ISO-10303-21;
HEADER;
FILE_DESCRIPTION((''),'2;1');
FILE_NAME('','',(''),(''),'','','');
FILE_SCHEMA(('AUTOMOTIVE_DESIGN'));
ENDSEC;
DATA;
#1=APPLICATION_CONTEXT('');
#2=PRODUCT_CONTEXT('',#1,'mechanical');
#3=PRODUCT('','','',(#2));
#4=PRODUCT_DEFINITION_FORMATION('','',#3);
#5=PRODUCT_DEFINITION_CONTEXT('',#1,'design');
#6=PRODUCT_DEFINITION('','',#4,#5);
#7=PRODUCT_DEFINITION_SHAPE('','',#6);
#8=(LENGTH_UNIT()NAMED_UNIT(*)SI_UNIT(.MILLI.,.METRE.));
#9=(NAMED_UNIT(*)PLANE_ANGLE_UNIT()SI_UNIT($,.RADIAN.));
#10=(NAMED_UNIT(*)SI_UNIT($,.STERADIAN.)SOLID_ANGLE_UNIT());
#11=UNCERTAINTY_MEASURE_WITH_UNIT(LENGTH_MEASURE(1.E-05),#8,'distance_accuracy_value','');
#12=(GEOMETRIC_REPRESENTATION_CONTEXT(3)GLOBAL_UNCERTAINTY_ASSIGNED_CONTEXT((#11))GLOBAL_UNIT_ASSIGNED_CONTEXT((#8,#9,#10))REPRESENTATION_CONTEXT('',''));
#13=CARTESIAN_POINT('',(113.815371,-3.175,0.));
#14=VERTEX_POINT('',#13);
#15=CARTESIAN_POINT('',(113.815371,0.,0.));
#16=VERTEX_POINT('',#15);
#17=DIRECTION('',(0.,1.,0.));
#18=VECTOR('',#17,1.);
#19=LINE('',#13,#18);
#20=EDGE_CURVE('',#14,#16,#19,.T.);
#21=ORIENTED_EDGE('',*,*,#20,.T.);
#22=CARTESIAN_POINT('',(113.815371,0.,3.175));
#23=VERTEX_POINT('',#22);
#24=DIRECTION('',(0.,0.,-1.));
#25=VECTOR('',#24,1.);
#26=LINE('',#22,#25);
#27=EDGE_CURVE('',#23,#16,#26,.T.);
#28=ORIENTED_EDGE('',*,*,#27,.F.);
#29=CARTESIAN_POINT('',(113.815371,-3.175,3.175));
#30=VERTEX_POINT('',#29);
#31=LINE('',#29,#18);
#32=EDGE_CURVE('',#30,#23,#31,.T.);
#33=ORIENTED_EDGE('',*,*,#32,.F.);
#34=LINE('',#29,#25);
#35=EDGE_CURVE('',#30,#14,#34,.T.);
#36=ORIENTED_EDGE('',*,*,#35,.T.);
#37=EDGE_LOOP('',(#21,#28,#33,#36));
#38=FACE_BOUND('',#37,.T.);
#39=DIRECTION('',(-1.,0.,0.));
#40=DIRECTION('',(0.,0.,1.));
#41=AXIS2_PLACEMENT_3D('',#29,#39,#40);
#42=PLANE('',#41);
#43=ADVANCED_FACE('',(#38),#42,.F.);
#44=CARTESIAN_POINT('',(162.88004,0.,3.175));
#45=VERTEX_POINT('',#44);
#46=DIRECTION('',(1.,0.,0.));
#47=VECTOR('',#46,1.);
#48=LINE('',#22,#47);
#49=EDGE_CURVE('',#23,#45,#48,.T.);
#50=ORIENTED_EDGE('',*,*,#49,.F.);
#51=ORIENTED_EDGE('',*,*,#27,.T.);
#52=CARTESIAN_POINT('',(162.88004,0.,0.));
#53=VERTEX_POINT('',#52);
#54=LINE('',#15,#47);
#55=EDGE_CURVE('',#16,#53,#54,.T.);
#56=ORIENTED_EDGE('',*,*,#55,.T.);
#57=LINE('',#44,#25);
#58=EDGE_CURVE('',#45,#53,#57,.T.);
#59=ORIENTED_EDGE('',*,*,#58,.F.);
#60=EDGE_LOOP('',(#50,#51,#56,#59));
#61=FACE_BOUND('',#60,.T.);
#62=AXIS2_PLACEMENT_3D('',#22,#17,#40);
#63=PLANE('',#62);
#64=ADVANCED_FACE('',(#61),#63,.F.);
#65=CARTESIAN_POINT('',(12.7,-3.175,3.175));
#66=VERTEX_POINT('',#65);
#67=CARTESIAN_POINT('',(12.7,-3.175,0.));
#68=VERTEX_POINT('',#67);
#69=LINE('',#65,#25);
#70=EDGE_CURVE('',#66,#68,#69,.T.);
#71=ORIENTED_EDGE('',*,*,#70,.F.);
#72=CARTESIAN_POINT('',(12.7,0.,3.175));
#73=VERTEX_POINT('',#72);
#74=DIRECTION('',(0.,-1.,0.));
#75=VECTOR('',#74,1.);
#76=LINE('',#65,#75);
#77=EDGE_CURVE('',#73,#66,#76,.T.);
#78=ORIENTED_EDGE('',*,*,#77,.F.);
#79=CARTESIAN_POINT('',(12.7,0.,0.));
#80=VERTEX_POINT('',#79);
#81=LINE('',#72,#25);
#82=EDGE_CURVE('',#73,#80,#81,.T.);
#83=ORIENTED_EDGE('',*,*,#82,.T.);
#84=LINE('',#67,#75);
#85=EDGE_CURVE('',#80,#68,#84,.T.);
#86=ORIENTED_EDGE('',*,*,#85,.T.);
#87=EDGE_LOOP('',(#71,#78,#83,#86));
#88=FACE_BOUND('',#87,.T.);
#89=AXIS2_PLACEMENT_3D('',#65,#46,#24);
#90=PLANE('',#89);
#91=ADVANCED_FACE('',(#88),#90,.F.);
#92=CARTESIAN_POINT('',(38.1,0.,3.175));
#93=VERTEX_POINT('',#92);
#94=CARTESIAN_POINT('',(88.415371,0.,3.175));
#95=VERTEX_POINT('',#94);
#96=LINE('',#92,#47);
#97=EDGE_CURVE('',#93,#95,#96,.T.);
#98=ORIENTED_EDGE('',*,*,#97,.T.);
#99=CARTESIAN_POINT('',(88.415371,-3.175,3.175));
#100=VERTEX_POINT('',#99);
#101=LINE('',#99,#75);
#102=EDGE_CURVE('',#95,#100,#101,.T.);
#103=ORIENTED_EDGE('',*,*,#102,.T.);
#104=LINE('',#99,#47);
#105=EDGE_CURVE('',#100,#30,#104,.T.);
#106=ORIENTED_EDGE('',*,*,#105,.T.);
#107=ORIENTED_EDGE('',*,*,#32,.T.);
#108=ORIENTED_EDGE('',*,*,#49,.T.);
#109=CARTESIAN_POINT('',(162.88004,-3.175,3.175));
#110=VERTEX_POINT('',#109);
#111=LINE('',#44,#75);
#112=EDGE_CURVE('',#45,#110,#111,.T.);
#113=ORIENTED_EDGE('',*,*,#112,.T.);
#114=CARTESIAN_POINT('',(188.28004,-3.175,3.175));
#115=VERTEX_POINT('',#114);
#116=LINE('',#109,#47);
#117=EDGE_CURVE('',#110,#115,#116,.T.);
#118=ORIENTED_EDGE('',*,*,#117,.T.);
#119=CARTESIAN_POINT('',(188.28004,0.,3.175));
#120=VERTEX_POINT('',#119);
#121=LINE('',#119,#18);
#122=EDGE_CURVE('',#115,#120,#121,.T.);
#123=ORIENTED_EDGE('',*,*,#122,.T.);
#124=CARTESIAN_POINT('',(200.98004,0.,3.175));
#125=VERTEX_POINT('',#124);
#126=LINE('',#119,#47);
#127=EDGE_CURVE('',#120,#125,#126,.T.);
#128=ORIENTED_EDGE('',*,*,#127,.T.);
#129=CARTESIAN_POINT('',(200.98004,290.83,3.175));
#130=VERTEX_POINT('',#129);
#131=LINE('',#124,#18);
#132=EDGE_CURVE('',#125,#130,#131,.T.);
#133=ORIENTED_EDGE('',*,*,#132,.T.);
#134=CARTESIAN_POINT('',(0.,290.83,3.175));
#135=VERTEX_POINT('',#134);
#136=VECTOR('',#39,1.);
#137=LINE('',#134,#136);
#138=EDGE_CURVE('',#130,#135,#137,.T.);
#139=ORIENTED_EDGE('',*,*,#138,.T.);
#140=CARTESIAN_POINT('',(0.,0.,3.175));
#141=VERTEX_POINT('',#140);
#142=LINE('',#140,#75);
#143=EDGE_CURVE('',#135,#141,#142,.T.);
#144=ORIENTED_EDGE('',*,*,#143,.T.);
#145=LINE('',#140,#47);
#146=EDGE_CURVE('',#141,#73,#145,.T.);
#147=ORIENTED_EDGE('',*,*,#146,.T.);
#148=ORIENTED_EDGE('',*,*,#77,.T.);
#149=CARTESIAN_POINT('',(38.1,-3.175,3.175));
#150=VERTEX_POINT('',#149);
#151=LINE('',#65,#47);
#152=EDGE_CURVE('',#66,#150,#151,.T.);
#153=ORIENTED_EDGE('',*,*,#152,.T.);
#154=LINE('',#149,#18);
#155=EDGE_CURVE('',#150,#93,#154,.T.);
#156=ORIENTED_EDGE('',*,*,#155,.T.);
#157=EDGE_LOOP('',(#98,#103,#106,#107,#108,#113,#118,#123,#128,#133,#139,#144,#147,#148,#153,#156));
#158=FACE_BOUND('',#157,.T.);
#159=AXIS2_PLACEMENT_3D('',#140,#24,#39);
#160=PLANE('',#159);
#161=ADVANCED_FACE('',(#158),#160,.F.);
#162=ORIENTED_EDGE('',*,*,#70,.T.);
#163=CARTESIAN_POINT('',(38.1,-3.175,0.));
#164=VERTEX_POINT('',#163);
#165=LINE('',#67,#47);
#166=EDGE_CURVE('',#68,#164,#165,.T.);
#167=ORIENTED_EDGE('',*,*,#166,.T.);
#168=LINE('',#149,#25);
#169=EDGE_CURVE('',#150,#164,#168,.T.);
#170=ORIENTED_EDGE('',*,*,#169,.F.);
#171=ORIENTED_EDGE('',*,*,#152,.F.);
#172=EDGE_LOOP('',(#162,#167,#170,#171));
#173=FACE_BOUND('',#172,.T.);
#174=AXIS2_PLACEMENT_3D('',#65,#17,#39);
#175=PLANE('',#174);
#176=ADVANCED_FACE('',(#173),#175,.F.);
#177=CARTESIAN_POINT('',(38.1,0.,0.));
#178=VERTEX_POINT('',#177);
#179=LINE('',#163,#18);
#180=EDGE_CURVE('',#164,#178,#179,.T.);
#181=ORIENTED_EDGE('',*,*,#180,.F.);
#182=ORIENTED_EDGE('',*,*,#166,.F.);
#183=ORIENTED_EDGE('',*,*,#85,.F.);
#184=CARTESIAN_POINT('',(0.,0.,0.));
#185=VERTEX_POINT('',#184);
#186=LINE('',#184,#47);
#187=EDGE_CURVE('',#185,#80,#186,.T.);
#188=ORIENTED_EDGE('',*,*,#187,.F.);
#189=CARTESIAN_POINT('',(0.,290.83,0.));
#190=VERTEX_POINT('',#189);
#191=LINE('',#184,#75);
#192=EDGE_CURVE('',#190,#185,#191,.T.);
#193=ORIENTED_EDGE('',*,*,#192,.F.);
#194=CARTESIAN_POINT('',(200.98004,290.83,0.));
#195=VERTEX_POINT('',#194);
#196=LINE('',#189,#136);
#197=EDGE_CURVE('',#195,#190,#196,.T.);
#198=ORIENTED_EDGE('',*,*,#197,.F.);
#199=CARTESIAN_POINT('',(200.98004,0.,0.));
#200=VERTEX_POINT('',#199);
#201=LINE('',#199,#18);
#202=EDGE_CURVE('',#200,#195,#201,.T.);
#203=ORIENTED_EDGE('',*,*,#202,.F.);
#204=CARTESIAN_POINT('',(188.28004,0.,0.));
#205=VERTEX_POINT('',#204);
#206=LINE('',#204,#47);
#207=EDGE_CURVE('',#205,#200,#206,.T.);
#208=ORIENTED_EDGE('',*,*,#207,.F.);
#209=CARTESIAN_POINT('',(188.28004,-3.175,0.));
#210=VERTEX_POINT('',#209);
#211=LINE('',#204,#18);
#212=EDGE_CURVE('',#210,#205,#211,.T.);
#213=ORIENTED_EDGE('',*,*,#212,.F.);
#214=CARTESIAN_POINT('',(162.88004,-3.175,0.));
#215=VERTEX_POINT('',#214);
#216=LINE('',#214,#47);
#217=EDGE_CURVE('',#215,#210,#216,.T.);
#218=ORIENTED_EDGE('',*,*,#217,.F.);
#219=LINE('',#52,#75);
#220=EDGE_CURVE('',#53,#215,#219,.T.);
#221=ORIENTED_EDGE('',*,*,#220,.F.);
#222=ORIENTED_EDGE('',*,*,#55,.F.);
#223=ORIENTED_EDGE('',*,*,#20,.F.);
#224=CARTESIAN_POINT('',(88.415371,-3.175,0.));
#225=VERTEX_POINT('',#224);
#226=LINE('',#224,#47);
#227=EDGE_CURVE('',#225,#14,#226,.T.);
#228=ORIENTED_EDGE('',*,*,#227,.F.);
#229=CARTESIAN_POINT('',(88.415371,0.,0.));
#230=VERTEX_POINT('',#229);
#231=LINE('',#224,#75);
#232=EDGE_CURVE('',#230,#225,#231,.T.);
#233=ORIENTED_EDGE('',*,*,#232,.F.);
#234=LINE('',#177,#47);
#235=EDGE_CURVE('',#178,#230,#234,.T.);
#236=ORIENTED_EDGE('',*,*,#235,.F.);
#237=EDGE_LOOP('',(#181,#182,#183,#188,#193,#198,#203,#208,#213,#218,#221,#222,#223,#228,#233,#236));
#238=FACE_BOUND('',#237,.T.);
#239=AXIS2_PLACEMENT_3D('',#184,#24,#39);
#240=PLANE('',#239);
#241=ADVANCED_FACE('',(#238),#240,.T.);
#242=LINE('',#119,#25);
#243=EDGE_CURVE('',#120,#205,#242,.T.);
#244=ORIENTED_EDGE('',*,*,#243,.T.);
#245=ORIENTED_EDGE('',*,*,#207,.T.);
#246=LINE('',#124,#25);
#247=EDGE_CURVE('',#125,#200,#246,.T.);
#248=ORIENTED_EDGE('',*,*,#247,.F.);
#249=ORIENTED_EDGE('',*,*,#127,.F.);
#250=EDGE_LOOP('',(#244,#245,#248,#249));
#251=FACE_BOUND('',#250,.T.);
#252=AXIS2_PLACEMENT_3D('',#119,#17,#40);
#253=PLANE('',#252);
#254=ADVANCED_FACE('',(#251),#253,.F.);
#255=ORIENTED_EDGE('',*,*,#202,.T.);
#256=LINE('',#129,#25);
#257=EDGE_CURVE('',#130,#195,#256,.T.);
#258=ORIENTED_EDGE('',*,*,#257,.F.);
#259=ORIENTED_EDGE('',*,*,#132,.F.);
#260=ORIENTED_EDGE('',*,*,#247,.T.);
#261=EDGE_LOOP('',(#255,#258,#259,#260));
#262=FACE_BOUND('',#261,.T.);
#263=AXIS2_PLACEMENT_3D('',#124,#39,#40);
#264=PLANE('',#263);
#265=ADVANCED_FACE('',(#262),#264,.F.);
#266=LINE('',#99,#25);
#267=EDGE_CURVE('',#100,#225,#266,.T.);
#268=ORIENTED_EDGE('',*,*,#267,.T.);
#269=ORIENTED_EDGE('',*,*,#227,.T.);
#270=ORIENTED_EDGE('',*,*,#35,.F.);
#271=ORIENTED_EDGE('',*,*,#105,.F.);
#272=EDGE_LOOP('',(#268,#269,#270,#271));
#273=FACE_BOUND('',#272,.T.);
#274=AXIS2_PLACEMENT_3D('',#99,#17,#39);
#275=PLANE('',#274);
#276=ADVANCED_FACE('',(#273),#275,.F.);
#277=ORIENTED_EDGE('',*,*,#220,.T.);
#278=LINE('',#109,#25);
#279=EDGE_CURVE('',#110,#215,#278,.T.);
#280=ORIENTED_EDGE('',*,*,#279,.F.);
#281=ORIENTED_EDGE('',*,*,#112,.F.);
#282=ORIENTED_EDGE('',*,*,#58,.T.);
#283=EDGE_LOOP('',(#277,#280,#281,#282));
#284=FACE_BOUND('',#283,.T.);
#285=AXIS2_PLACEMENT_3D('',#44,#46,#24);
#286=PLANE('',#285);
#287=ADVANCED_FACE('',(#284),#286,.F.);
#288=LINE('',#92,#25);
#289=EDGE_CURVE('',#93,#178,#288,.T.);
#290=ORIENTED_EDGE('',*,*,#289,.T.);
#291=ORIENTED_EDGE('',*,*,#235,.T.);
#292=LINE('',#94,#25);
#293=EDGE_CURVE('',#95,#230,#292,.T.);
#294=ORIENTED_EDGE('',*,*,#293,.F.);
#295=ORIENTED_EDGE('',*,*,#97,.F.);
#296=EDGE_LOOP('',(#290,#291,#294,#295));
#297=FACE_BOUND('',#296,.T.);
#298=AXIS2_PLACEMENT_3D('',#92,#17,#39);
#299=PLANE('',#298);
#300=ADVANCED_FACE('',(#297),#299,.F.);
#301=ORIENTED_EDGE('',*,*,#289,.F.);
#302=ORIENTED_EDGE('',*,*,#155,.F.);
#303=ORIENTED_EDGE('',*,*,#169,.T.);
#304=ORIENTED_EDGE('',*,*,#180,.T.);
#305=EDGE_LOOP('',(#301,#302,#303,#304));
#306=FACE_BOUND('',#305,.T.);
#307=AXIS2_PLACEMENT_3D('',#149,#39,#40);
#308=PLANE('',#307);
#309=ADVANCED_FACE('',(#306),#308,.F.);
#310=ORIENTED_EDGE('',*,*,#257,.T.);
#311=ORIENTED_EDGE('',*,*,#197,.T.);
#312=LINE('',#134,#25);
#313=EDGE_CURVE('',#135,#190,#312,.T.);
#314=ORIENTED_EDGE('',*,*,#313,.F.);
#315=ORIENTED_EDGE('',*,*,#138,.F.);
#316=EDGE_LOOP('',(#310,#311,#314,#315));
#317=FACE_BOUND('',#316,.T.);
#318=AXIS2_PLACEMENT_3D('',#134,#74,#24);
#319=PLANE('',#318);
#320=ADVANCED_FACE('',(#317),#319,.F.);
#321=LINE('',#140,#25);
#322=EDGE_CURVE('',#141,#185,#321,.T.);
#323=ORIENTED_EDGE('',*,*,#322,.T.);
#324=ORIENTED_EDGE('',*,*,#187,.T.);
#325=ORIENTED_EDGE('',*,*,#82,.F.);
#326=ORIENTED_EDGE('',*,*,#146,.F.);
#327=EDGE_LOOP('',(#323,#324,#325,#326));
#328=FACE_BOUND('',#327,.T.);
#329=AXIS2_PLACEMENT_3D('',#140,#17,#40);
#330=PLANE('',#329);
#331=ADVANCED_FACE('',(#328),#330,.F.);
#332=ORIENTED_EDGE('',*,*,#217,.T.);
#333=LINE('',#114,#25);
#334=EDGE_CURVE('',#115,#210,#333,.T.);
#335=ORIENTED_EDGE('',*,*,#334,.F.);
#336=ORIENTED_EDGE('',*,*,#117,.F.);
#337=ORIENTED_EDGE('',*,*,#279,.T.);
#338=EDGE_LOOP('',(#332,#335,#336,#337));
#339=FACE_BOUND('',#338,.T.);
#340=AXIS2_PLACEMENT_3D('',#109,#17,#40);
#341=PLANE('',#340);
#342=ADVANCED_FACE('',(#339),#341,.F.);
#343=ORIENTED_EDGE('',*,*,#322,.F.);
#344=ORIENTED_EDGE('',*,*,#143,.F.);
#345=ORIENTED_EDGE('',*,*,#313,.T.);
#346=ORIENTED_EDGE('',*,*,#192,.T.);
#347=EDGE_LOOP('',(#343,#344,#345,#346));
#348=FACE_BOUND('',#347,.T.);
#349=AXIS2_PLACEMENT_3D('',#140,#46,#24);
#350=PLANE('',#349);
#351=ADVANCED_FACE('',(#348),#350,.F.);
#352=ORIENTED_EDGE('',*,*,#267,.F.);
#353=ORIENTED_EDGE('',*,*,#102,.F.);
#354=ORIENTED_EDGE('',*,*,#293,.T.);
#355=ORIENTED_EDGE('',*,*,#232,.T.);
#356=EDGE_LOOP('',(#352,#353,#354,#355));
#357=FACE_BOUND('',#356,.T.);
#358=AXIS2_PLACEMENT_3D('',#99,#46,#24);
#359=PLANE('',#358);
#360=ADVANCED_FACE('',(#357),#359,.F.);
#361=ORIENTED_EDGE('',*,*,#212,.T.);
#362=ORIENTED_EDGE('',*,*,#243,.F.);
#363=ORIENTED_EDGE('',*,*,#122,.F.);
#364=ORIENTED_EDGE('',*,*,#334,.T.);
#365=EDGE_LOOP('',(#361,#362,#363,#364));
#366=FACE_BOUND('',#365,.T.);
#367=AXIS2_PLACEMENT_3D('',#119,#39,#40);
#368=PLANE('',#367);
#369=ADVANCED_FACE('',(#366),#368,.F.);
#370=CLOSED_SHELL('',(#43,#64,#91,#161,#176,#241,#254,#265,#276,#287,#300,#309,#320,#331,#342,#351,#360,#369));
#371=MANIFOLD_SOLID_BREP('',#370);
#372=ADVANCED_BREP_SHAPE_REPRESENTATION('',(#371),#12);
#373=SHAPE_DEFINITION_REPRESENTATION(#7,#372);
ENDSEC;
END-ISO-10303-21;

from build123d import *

# Parameters (mm, degrees)
BOSS_EXTRUDE1_DEPTH = 3.175


with BuildPart() as part:
    # Sketch1 → Boss-Extrude1 (new body)
    with BuildSketch(Plane.XY):
        Polygon((0, 0), (12.7, 0), (12.7, -3.175), (38.1, -3.175), (38.1, 0), (88.415370865, 0), (88.415370865, -3.175), (113.815370865, -3.175), (113.815370865, 0), (162.88004, 0), (162.88004, -3.175), (188.28004, -3.175), (188.28004, 0), (200.98004, 0), (200.98004, 290.83), (0, 290.83), align=None)
    extrude(amount=BOSS_EXTRUDE1_DEPTH)


solid = part.part
